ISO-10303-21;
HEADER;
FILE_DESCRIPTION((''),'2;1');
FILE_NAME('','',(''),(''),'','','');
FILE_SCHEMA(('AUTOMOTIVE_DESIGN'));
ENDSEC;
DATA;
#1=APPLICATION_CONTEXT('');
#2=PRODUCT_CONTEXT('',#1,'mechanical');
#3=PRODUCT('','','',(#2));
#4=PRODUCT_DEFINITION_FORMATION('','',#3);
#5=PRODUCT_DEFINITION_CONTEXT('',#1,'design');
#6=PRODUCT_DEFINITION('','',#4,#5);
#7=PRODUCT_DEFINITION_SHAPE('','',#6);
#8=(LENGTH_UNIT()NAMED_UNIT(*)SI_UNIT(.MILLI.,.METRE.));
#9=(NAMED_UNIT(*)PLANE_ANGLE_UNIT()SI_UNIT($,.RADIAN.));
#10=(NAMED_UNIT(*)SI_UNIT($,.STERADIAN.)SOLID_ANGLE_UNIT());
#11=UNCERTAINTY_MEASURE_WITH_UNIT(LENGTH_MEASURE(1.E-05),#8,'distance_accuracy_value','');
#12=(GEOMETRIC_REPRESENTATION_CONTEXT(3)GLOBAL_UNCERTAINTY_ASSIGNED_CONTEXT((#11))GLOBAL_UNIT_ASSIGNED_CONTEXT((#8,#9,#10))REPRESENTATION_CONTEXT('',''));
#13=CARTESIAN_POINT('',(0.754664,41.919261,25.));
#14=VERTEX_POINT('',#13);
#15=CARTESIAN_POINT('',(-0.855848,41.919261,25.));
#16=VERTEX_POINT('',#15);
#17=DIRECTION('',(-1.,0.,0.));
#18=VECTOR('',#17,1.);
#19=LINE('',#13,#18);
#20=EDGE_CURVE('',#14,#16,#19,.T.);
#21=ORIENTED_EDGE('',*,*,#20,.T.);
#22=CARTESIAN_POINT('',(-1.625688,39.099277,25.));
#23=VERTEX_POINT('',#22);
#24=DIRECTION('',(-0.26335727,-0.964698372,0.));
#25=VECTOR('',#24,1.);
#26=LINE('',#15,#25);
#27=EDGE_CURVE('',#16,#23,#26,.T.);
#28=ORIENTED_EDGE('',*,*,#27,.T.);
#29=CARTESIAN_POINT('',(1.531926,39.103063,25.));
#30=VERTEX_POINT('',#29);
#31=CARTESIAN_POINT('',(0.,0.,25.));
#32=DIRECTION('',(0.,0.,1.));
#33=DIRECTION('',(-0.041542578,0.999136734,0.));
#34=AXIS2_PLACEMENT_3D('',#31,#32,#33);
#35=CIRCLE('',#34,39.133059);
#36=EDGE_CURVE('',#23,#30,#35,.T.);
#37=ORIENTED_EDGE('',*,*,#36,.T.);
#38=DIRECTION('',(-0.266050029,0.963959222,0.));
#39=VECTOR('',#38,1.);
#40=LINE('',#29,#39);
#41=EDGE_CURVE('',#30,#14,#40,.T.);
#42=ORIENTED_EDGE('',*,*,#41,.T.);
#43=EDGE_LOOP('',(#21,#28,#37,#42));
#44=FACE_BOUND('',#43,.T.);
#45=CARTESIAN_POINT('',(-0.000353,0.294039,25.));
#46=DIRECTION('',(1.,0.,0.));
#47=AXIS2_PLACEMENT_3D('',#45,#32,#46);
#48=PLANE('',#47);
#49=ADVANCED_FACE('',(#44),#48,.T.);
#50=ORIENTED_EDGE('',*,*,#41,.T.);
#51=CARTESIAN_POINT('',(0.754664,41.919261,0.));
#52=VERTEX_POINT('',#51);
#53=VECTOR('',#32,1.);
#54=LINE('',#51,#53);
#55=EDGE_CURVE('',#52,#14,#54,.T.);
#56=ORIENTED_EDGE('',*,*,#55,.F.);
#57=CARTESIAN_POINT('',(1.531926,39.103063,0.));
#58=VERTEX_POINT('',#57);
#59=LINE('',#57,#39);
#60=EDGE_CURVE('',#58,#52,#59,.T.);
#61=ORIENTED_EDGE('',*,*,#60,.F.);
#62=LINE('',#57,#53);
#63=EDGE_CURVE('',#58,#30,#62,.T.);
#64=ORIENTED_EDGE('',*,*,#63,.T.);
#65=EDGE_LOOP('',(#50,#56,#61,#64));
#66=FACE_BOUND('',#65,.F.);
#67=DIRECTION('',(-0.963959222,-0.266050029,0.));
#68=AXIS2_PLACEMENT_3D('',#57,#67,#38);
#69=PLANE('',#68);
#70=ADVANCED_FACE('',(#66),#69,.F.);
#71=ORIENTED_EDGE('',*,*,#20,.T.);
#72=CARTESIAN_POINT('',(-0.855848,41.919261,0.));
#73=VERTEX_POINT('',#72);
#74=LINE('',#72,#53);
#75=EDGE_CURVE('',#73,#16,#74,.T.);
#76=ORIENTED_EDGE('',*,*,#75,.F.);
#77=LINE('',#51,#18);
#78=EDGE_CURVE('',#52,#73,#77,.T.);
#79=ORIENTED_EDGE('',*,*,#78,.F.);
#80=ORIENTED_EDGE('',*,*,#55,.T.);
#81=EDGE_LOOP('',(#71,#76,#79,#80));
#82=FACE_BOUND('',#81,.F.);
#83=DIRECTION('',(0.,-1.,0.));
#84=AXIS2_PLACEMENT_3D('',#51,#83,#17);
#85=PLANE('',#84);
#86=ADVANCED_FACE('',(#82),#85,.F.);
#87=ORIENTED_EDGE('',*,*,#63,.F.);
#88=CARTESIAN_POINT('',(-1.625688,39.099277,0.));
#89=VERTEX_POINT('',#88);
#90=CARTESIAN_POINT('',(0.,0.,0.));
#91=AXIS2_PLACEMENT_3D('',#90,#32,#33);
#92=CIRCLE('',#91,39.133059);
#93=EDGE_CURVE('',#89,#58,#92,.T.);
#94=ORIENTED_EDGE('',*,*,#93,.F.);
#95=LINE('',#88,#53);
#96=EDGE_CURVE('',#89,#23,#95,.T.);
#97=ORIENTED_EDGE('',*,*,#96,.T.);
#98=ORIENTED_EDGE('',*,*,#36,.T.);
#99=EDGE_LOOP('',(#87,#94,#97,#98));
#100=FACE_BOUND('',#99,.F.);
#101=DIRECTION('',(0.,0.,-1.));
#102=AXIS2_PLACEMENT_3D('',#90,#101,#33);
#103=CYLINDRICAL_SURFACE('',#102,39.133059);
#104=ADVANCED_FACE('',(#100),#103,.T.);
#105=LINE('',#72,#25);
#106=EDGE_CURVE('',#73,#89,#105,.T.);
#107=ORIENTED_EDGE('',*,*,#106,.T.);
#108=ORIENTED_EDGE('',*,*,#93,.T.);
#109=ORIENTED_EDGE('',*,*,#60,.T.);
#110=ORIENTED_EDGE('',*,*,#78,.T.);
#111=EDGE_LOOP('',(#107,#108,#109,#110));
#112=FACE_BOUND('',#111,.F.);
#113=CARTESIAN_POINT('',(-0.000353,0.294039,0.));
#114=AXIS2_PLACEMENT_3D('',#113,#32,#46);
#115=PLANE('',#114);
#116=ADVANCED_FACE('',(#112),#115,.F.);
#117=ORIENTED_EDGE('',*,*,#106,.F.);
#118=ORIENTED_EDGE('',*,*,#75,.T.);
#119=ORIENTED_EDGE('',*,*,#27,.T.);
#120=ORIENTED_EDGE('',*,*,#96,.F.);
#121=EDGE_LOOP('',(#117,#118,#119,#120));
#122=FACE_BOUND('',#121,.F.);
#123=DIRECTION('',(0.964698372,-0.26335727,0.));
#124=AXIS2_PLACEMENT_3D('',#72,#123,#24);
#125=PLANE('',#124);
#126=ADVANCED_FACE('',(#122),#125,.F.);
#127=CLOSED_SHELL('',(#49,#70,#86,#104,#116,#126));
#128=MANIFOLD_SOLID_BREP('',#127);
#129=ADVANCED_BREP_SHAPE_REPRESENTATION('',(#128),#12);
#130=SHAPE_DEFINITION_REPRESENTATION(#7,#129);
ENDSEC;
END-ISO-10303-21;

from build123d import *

# Parameters (mm, degrees)
F1_DEPTH = 25


with BuildPart() as f1:
    # F0 (on Top) → F1 (new body)
    with BuildSketch(Plane.XY):
        with BuildLine():
            ThreePointArc((-1.625688172, 39.0992770976), (-27.0903874088, -28.2401707082), (39.133059318, 0))
            ThreePointArc((39.133059318, 0), (28.2076700365, 27.124226859), (1.5319263874, 39.1030629635))
            Line((1.5319263874, 39.1030629635), (-1.625688172, 39.0992770976))
        make_face()
        with BuildLine():
            Line((-1.625688172, 39.0992770976), (1.5319263874, 39.1030629635))
            ThreePointArc((1.5319263874, 39.1030629635), (-0.0469190927, 39.1330311909), (-1.625688172, 39.0992770976))
        make_face()
        with BuildLine():
            ThreePointArc((-1.625688172, 39.0992770976), (-0.0469190927, 39.1330311909), (1.5319263874, 39.1030629635))
            Line((1.5319263874, 39.1030629635), (0.7546636043, 41.9192612171))
            Line((0.7546636043, 41.9192612171), (-0.8558482514, 41.9192612171))
            Line((-0.8558482514, 41.9192612171), (-1.625688172, 39.0992770976))
        make_face()
    extrude(amount=F1_DEPTH)


solid = f1.part
